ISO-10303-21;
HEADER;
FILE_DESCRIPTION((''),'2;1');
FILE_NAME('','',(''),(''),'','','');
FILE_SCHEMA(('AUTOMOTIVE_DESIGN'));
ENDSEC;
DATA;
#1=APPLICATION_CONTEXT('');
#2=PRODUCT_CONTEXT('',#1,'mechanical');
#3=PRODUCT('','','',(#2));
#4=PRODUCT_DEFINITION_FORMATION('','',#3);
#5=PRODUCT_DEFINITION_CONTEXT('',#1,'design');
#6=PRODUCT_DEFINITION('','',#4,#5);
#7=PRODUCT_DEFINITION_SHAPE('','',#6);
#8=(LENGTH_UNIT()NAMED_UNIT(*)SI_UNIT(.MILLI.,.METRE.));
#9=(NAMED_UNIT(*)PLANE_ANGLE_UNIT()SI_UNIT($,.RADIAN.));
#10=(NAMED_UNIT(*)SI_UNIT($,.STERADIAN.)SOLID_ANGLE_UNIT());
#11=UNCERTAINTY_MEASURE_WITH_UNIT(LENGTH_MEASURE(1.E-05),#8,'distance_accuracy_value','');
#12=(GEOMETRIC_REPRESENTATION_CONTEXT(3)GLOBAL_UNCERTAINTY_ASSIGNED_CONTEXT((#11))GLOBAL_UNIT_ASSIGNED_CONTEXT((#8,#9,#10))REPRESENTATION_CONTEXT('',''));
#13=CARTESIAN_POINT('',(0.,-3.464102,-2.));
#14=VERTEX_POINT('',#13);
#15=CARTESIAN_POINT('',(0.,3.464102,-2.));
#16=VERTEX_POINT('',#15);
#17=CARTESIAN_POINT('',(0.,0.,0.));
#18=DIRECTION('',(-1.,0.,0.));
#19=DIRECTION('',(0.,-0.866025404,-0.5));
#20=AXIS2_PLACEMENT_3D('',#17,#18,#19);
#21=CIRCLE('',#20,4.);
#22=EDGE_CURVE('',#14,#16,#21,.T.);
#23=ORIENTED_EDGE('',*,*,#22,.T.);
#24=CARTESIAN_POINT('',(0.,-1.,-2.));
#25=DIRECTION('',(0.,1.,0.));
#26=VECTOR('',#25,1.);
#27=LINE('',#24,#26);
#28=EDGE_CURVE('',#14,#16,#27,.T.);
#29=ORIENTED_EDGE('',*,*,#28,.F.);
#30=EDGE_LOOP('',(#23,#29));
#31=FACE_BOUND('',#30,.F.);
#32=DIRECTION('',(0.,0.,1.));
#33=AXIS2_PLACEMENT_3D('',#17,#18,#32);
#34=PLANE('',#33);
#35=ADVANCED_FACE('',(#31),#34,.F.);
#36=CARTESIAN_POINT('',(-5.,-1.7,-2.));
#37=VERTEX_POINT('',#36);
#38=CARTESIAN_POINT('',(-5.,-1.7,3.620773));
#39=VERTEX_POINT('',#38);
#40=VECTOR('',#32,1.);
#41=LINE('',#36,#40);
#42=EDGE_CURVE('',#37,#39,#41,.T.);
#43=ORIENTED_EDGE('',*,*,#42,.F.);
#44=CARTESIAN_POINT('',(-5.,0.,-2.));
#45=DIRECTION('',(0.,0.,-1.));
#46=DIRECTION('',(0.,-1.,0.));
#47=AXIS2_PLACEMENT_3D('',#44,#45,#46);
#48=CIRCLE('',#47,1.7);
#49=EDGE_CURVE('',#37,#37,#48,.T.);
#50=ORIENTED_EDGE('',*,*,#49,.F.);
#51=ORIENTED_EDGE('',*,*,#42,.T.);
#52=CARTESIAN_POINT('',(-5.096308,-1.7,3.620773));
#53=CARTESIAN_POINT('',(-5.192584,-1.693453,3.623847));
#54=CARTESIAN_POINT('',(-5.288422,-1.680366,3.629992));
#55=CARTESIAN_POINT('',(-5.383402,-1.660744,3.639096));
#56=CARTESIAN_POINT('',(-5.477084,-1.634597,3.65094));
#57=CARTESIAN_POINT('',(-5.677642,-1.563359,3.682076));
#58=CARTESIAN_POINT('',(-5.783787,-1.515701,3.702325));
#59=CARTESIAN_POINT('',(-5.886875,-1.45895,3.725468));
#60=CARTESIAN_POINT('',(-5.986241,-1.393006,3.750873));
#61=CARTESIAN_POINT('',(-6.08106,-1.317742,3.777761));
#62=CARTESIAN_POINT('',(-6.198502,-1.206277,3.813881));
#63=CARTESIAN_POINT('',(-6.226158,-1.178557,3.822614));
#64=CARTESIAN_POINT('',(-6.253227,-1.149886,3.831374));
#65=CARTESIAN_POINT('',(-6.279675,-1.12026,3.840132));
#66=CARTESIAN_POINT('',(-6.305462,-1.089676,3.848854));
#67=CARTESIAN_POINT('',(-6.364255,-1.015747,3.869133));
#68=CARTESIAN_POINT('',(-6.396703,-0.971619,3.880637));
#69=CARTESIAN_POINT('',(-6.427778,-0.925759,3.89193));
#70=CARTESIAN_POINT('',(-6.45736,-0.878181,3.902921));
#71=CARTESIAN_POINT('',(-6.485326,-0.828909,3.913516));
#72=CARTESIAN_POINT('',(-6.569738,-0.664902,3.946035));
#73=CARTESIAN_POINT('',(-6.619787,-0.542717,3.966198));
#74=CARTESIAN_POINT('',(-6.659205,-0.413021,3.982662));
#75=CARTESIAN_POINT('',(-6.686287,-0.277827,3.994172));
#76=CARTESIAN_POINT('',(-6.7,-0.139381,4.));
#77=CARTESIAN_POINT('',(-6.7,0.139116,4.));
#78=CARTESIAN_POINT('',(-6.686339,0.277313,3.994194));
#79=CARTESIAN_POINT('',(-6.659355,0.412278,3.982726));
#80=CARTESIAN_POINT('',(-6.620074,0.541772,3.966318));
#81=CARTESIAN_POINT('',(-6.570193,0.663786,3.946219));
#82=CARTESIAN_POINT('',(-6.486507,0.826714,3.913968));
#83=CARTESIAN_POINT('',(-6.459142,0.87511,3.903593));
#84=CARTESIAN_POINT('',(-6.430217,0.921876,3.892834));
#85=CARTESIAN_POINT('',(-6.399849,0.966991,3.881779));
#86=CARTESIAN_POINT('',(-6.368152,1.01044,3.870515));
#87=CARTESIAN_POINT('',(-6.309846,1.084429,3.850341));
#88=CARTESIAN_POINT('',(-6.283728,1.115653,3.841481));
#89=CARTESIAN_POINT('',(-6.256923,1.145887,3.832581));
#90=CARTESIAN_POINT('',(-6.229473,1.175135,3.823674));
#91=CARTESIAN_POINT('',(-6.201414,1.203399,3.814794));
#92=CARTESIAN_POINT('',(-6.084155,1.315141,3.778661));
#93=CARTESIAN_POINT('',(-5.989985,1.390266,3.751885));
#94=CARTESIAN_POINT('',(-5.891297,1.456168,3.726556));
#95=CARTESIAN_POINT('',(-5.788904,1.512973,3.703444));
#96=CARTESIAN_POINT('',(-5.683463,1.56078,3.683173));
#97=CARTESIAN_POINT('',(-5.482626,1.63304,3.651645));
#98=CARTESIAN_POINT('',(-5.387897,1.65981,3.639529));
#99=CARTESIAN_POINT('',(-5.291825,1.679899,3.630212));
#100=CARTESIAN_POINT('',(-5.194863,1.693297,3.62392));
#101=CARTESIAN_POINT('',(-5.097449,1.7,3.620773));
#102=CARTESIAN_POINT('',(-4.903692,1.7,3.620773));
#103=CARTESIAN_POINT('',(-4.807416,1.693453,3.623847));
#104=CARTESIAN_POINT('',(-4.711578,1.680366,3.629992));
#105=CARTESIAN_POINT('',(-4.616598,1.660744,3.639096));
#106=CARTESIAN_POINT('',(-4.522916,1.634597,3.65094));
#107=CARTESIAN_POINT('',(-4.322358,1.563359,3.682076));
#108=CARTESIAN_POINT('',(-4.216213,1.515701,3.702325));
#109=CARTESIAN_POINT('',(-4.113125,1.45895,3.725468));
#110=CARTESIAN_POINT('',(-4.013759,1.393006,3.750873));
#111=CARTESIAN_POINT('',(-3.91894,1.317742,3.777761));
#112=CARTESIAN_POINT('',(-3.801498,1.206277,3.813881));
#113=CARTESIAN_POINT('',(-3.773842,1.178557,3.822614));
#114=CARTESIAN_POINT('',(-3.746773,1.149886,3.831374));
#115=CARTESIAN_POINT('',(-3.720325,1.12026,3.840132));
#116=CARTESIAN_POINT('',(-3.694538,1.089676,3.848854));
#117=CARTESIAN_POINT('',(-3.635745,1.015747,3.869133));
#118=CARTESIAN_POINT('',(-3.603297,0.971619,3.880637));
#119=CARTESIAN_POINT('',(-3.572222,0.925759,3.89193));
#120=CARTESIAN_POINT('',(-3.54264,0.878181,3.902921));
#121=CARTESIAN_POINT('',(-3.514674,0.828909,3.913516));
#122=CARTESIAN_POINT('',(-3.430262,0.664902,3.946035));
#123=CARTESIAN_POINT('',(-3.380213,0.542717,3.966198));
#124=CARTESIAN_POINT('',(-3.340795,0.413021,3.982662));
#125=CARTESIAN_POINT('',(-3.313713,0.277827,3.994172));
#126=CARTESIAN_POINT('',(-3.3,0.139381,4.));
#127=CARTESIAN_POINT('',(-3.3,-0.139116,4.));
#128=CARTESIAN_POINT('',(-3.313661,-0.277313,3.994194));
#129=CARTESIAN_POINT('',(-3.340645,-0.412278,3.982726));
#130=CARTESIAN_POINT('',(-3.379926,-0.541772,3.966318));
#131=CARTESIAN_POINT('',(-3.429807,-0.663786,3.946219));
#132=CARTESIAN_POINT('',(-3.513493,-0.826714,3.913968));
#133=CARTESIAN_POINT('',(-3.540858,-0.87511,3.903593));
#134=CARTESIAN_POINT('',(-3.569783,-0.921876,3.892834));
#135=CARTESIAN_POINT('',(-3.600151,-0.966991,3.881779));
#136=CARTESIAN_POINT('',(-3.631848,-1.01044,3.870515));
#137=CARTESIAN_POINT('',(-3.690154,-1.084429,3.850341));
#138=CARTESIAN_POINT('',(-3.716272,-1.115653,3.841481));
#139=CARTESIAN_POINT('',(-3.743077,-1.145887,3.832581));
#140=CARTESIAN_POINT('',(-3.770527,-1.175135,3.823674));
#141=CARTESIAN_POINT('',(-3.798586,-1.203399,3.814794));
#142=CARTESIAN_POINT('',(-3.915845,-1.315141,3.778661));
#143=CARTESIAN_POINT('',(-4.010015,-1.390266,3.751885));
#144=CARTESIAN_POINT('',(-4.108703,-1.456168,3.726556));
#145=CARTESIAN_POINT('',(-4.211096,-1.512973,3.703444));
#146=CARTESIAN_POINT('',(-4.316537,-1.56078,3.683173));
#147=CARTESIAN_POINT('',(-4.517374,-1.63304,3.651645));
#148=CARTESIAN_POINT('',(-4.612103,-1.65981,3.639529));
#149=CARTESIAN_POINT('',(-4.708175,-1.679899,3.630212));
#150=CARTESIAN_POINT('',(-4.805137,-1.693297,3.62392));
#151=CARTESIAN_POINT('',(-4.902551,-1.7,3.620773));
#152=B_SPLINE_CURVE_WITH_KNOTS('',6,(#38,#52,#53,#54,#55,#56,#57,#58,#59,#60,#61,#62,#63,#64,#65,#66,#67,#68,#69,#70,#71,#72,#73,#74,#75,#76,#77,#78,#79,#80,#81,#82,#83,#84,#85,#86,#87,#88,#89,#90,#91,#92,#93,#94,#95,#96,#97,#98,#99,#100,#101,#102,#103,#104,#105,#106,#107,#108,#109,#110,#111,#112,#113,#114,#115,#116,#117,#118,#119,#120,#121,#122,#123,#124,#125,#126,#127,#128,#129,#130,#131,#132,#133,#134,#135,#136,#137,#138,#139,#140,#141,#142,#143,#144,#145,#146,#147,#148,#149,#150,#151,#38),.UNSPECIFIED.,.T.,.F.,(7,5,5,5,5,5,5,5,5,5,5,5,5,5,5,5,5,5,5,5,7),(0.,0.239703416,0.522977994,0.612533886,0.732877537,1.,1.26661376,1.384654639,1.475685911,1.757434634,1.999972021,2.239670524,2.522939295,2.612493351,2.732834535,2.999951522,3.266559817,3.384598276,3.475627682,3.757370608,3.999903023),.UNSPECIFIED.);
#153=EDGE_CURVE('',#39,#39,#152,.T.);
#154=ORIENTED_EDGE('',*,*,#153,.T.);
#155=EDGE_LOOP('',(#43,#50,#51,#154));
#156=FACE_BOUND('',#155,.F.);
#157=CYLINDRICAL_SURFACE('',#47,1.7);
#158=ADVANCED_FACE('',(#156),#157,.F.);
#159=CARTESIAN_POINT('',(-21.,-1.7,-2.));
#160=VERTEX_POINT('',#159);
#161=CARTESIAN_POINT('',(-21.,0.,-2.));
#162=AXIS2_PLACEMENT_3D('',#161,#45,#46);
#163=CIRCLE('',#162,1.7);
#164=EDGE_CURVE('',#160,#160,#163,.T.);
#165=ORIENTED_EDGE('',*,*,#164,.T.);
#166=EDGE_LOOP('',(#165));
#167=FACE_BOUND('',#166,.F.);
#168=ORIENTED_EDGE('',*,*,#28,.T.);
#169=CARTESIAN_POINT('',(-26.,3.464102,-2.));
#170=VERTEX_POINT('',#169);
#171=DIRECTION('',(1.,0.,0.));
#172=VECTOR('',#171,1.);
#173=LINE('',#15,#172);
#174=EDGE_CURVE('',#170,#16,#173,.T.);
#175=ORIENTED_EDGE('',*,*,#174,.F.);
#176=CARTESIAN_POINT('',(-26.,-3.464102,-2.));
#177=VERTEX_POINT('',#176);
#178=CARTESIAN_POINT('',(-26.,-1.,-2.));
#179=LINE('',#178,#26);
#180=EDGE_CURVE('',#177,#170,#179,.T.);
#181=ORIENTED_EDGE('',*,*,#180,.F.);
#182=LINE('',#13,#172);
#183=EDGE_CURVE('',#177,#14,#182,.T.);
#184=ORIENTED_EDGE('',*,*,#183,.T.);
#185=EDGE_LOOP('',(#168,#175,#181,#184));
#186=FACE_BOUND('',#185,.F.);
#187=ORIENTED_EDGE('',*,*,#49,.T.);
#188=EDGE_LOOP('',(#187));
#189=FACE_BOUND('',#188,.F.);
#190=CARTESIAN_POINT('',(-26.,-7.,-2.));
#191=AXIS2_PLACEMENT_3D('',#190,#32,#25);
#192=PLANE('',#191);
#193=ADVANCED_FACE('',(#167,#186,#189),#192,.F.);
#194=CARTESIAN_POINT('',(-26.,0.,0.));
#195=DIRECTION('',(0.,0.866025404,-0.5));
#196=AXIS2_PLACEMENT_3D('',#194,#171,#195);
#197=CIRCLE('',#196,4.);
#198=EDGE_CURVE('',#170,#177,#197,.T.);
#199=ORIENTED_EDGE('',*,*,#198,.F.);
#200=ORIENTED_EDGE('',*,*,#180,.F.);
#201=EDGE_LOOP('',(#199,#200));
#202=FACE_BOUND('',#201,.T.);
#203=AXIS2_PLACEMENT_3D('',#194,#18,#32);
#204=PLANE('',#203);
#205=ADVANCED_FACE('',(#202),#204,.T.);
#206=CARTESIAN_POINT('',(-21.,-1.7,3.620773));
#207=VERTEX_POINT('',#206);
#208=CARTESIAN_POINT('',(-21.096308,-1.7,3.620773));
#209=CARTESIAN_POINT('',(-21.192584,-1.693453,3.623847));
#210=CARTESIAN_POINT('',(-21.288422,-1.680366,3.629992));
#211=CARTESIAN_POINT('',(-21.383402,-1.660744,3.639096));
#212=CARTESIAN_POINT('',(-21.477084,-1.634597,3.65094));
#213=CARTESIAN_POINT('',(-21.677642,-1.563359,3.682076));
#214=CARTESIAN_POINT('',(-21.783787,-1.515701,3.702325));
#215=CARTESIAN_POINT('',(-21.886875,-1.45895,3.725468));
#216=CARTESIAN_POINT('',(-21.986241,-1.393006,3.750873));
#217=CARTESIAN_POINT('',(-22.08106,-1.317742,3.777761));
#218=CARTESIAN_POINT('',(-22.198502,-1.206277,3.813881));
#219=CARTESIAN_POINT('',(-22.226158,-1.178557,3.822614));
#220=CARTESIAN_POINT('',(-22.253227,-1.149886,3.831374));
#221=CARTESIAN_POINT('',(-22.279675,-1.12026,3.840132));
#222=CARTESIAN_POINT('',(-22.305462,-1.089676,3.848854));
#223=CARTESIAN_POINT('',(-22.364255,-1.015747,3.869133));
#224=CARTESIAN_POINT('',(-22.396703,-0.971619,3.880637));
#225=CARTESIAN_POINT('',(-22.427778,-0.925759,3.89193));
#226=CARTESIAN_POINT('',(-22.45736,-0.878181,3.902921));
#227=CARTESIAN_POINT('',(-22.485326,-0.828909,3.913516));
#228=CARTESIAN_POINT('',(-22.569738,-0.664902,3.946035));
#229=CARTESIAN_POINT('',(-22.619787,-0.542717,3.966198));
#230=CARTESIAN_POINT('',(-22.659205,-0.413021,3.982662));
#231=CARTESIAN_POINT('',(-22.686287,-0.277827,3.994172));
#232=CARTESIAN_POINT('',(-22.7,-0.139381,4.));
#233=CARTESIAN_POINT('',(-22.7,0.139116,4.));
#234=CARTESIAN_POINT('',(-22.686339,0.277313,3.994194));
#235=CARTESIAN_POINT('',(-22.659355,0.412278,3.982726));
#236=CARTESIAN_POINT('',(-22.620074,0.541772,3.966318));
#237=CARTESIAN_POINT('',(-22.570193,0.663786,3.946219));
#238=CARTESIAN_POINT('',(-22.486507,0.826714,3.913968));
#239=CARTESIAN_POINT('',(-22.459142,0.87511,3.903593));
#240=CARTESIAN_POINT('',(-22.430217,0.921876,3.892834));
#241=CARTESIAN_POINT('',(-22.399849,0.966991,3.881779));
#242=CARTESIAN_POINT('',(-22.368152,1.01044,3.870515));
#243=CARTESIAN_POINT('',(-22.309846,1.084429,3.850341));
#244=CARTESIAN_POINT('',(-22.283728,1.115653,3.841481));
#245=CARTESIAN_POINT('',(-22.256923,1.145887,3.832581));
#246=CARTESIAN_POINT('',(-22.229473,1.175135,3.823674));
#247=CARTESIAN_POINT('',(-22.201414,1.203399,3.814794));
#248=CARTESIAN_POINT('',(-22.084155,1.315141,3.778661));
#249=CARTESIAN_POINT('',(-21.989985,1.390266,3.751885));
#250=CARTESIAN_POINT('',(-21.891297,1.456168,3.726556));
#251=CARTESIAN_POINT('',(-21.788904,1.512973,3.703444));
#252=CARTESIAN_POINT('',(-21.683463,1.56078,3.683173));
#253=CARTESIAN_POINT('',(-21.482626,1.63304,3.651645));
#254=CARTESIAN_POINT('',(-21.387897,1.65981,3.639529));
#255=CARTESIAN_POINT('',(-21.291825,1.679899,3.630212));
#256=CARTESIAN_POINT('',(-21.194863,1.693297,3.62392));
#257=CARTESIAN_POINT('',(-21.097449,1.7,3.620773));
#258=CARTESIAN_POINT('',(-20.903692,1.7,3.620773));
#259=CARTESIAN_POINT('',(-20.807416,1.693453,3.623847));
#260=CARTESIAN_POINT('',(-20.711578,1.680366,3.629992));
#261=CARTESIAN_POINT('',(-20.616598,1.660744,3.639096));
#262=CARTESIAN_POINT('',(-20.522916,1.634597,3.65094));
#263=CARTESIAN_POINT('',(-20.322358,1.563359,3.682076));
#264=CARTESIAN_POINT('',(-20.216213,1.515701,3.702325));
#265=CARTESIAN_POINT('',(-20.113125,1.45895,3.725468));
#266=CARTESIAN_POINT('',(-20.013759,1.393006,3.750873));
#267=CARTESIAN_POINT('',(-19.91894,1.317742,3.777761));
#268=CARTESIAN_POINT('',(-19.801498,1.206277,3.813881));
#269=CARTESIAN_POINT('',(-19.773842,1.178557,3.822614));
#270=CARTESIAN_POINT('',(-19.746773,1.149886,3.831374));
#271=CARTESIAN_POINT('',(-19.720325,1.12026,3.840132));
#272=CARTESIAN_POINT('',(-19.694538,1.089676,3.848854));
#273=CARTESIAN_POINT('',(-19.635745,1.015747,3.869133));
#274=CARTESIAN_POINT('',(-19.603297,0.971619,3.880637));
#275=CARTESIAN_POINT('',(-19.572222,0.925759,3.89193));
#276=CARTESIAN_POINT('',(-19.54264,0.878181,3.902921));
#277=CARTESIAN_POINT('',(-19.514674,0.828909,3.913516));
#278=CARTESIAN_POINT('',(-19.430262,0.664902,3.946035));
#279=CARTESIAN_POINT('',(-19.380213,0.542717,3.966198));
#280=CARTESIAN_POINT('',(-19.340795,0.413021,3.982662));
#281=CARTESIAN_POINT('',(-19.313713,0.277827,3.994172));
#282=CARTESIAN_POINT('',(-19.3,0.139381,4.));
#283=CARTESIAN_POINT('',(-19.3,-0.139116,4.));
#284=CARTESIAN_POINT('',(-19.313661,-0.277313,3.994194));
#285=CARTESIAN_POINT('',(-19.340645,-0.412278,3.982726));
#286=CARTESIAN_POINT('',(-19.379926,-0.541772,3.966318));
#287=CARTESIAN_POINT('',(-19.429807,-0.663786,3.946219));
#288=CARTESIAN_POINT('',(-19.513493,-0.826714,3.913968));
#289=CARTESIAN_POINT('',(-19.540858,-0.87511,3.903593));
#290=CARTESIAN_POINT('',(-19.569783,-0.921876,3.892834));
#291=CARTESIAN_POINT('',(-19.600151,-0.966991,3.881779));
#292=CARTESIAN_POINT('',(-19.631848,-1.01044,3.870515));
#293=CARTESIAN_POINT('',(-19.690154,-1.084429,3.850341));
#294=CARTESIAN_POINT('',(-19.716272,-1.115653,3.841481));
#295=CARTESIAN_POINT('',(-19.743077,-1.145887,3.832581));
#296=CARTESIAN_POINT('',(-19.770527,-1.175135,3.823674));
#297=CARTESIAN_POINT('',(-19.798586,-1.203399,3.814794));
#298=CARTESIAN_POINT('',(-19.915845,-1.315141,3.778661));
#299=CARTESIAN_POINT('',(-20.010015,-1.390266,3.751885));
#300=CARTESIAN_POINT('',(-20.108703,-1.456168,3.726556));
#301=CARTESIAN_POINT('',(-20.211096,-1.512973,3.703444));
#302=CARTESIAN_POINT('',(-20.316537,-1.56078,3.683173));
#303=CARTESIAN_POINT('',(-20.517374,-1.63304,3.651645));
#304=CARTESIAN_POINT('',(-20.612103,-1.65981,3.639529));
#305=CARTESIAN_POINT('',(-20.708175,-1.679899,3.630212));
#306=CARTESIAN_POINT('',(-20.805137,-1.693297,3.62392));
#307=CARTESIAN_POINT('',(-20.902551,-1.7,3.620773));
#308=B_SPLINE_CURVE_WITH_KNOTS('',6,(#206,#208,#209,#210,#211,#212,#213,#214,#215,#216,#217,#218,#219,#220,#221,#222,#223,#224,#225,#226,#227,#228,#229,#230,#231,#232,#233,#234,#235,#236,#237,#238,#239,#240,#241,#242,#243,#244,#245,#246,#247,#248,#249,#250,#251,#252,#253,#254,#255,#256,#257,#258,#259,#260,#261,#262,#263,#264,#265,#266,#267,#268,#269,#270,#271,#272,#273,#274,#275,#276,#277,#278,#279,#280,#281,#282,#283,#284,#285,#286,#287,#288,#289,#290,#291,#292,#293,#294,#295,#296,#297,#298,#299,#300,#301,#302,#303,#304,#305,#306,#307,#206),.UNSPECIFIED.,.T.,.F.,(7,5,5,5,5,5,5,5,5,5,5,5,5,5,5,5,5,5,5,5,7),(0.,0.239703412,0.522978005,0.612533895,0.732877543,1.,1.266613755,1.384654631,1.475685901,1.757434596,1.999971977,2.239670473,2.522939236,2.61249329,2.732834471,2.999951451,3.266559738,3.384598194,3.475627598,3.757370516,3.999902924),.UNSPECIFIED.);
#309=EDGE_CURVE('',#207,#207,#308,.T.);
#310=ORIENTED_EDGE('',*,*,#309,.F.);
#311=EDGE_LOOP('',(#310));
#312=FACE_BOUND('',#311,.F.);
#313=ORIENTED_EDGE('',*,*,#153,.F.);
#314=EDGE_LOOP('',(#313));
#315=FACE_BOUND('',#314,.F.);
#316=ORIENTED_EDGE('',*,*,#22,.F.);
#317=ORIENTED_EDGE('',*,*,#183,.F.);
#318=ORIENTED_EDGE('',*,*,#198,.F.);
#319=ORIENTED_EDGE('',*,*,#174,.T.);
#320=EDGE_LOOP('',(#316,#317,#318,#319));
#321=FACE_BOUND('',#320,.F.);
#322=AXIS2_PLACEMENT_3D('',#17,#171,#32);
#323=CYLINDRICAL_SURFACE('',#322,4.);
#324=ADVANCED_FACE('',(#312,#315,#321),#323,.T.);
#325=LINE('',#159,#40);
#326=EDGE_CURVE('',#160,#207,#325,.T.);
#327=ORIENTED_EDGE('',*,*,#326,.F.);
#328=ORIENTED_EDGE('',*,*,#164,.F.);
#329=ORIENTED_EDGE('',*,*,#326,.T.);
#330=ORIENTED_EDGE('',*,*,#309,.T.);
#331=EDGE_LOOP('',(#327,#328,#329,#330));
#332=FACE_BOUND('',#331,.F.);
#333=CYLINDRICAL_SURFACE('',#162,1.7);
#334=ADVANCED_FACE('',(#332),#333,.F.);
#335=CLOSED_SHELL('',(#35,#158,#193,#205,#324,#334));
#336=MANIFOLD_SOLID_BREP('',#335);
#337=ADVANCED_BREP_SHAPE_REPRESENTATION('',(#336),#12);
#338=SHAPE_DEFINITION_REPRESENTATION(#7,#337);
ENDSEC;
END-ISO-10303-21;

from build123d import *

# Parameters (mm, degrees)
SKETCH_R        = 4
PAD_DEPTH       = 26
SKETCH001_W     = 4
SKETCH001_H     = 12
POCKET_DEPTH    = 26
SKETCH002_R     = 1.7
POCKET001_DEPTH = 7


with BuildPart() as part:
    # Sketch → Pad (new body)
    with BuildSketch(Plane.ZY):
        Circle(SKETCH_R)
    extrude(amount=PAD_DEPTH)

    # Sketch001 → Pocket (cut)
    with BuildSketch(Plane.ZY.offset(26)):
        with Locations((-4, -1)):
            Rectangle(SKETCH001_W, SKETCH001_H)
    extrude(amount=-POCKET_DEPTH, mode=Mode.SUBTRACT)

    # Sketch002 → Pocket001 (cut)
    with BuildSketch(Plane(origin=(0, 0, -2), x_dir=(0, -1, 0), z_dir=(0, 0, -1))):
        with Locations((0, 21)):
            Circle(SKETCH002_R)
        with Locations((0, 5)):
            Circle(SKETCH002_R)
    extrude(amount=-POCKET001_DEPTH, mode=Mode.SUBTRACT)


solid = part.part
